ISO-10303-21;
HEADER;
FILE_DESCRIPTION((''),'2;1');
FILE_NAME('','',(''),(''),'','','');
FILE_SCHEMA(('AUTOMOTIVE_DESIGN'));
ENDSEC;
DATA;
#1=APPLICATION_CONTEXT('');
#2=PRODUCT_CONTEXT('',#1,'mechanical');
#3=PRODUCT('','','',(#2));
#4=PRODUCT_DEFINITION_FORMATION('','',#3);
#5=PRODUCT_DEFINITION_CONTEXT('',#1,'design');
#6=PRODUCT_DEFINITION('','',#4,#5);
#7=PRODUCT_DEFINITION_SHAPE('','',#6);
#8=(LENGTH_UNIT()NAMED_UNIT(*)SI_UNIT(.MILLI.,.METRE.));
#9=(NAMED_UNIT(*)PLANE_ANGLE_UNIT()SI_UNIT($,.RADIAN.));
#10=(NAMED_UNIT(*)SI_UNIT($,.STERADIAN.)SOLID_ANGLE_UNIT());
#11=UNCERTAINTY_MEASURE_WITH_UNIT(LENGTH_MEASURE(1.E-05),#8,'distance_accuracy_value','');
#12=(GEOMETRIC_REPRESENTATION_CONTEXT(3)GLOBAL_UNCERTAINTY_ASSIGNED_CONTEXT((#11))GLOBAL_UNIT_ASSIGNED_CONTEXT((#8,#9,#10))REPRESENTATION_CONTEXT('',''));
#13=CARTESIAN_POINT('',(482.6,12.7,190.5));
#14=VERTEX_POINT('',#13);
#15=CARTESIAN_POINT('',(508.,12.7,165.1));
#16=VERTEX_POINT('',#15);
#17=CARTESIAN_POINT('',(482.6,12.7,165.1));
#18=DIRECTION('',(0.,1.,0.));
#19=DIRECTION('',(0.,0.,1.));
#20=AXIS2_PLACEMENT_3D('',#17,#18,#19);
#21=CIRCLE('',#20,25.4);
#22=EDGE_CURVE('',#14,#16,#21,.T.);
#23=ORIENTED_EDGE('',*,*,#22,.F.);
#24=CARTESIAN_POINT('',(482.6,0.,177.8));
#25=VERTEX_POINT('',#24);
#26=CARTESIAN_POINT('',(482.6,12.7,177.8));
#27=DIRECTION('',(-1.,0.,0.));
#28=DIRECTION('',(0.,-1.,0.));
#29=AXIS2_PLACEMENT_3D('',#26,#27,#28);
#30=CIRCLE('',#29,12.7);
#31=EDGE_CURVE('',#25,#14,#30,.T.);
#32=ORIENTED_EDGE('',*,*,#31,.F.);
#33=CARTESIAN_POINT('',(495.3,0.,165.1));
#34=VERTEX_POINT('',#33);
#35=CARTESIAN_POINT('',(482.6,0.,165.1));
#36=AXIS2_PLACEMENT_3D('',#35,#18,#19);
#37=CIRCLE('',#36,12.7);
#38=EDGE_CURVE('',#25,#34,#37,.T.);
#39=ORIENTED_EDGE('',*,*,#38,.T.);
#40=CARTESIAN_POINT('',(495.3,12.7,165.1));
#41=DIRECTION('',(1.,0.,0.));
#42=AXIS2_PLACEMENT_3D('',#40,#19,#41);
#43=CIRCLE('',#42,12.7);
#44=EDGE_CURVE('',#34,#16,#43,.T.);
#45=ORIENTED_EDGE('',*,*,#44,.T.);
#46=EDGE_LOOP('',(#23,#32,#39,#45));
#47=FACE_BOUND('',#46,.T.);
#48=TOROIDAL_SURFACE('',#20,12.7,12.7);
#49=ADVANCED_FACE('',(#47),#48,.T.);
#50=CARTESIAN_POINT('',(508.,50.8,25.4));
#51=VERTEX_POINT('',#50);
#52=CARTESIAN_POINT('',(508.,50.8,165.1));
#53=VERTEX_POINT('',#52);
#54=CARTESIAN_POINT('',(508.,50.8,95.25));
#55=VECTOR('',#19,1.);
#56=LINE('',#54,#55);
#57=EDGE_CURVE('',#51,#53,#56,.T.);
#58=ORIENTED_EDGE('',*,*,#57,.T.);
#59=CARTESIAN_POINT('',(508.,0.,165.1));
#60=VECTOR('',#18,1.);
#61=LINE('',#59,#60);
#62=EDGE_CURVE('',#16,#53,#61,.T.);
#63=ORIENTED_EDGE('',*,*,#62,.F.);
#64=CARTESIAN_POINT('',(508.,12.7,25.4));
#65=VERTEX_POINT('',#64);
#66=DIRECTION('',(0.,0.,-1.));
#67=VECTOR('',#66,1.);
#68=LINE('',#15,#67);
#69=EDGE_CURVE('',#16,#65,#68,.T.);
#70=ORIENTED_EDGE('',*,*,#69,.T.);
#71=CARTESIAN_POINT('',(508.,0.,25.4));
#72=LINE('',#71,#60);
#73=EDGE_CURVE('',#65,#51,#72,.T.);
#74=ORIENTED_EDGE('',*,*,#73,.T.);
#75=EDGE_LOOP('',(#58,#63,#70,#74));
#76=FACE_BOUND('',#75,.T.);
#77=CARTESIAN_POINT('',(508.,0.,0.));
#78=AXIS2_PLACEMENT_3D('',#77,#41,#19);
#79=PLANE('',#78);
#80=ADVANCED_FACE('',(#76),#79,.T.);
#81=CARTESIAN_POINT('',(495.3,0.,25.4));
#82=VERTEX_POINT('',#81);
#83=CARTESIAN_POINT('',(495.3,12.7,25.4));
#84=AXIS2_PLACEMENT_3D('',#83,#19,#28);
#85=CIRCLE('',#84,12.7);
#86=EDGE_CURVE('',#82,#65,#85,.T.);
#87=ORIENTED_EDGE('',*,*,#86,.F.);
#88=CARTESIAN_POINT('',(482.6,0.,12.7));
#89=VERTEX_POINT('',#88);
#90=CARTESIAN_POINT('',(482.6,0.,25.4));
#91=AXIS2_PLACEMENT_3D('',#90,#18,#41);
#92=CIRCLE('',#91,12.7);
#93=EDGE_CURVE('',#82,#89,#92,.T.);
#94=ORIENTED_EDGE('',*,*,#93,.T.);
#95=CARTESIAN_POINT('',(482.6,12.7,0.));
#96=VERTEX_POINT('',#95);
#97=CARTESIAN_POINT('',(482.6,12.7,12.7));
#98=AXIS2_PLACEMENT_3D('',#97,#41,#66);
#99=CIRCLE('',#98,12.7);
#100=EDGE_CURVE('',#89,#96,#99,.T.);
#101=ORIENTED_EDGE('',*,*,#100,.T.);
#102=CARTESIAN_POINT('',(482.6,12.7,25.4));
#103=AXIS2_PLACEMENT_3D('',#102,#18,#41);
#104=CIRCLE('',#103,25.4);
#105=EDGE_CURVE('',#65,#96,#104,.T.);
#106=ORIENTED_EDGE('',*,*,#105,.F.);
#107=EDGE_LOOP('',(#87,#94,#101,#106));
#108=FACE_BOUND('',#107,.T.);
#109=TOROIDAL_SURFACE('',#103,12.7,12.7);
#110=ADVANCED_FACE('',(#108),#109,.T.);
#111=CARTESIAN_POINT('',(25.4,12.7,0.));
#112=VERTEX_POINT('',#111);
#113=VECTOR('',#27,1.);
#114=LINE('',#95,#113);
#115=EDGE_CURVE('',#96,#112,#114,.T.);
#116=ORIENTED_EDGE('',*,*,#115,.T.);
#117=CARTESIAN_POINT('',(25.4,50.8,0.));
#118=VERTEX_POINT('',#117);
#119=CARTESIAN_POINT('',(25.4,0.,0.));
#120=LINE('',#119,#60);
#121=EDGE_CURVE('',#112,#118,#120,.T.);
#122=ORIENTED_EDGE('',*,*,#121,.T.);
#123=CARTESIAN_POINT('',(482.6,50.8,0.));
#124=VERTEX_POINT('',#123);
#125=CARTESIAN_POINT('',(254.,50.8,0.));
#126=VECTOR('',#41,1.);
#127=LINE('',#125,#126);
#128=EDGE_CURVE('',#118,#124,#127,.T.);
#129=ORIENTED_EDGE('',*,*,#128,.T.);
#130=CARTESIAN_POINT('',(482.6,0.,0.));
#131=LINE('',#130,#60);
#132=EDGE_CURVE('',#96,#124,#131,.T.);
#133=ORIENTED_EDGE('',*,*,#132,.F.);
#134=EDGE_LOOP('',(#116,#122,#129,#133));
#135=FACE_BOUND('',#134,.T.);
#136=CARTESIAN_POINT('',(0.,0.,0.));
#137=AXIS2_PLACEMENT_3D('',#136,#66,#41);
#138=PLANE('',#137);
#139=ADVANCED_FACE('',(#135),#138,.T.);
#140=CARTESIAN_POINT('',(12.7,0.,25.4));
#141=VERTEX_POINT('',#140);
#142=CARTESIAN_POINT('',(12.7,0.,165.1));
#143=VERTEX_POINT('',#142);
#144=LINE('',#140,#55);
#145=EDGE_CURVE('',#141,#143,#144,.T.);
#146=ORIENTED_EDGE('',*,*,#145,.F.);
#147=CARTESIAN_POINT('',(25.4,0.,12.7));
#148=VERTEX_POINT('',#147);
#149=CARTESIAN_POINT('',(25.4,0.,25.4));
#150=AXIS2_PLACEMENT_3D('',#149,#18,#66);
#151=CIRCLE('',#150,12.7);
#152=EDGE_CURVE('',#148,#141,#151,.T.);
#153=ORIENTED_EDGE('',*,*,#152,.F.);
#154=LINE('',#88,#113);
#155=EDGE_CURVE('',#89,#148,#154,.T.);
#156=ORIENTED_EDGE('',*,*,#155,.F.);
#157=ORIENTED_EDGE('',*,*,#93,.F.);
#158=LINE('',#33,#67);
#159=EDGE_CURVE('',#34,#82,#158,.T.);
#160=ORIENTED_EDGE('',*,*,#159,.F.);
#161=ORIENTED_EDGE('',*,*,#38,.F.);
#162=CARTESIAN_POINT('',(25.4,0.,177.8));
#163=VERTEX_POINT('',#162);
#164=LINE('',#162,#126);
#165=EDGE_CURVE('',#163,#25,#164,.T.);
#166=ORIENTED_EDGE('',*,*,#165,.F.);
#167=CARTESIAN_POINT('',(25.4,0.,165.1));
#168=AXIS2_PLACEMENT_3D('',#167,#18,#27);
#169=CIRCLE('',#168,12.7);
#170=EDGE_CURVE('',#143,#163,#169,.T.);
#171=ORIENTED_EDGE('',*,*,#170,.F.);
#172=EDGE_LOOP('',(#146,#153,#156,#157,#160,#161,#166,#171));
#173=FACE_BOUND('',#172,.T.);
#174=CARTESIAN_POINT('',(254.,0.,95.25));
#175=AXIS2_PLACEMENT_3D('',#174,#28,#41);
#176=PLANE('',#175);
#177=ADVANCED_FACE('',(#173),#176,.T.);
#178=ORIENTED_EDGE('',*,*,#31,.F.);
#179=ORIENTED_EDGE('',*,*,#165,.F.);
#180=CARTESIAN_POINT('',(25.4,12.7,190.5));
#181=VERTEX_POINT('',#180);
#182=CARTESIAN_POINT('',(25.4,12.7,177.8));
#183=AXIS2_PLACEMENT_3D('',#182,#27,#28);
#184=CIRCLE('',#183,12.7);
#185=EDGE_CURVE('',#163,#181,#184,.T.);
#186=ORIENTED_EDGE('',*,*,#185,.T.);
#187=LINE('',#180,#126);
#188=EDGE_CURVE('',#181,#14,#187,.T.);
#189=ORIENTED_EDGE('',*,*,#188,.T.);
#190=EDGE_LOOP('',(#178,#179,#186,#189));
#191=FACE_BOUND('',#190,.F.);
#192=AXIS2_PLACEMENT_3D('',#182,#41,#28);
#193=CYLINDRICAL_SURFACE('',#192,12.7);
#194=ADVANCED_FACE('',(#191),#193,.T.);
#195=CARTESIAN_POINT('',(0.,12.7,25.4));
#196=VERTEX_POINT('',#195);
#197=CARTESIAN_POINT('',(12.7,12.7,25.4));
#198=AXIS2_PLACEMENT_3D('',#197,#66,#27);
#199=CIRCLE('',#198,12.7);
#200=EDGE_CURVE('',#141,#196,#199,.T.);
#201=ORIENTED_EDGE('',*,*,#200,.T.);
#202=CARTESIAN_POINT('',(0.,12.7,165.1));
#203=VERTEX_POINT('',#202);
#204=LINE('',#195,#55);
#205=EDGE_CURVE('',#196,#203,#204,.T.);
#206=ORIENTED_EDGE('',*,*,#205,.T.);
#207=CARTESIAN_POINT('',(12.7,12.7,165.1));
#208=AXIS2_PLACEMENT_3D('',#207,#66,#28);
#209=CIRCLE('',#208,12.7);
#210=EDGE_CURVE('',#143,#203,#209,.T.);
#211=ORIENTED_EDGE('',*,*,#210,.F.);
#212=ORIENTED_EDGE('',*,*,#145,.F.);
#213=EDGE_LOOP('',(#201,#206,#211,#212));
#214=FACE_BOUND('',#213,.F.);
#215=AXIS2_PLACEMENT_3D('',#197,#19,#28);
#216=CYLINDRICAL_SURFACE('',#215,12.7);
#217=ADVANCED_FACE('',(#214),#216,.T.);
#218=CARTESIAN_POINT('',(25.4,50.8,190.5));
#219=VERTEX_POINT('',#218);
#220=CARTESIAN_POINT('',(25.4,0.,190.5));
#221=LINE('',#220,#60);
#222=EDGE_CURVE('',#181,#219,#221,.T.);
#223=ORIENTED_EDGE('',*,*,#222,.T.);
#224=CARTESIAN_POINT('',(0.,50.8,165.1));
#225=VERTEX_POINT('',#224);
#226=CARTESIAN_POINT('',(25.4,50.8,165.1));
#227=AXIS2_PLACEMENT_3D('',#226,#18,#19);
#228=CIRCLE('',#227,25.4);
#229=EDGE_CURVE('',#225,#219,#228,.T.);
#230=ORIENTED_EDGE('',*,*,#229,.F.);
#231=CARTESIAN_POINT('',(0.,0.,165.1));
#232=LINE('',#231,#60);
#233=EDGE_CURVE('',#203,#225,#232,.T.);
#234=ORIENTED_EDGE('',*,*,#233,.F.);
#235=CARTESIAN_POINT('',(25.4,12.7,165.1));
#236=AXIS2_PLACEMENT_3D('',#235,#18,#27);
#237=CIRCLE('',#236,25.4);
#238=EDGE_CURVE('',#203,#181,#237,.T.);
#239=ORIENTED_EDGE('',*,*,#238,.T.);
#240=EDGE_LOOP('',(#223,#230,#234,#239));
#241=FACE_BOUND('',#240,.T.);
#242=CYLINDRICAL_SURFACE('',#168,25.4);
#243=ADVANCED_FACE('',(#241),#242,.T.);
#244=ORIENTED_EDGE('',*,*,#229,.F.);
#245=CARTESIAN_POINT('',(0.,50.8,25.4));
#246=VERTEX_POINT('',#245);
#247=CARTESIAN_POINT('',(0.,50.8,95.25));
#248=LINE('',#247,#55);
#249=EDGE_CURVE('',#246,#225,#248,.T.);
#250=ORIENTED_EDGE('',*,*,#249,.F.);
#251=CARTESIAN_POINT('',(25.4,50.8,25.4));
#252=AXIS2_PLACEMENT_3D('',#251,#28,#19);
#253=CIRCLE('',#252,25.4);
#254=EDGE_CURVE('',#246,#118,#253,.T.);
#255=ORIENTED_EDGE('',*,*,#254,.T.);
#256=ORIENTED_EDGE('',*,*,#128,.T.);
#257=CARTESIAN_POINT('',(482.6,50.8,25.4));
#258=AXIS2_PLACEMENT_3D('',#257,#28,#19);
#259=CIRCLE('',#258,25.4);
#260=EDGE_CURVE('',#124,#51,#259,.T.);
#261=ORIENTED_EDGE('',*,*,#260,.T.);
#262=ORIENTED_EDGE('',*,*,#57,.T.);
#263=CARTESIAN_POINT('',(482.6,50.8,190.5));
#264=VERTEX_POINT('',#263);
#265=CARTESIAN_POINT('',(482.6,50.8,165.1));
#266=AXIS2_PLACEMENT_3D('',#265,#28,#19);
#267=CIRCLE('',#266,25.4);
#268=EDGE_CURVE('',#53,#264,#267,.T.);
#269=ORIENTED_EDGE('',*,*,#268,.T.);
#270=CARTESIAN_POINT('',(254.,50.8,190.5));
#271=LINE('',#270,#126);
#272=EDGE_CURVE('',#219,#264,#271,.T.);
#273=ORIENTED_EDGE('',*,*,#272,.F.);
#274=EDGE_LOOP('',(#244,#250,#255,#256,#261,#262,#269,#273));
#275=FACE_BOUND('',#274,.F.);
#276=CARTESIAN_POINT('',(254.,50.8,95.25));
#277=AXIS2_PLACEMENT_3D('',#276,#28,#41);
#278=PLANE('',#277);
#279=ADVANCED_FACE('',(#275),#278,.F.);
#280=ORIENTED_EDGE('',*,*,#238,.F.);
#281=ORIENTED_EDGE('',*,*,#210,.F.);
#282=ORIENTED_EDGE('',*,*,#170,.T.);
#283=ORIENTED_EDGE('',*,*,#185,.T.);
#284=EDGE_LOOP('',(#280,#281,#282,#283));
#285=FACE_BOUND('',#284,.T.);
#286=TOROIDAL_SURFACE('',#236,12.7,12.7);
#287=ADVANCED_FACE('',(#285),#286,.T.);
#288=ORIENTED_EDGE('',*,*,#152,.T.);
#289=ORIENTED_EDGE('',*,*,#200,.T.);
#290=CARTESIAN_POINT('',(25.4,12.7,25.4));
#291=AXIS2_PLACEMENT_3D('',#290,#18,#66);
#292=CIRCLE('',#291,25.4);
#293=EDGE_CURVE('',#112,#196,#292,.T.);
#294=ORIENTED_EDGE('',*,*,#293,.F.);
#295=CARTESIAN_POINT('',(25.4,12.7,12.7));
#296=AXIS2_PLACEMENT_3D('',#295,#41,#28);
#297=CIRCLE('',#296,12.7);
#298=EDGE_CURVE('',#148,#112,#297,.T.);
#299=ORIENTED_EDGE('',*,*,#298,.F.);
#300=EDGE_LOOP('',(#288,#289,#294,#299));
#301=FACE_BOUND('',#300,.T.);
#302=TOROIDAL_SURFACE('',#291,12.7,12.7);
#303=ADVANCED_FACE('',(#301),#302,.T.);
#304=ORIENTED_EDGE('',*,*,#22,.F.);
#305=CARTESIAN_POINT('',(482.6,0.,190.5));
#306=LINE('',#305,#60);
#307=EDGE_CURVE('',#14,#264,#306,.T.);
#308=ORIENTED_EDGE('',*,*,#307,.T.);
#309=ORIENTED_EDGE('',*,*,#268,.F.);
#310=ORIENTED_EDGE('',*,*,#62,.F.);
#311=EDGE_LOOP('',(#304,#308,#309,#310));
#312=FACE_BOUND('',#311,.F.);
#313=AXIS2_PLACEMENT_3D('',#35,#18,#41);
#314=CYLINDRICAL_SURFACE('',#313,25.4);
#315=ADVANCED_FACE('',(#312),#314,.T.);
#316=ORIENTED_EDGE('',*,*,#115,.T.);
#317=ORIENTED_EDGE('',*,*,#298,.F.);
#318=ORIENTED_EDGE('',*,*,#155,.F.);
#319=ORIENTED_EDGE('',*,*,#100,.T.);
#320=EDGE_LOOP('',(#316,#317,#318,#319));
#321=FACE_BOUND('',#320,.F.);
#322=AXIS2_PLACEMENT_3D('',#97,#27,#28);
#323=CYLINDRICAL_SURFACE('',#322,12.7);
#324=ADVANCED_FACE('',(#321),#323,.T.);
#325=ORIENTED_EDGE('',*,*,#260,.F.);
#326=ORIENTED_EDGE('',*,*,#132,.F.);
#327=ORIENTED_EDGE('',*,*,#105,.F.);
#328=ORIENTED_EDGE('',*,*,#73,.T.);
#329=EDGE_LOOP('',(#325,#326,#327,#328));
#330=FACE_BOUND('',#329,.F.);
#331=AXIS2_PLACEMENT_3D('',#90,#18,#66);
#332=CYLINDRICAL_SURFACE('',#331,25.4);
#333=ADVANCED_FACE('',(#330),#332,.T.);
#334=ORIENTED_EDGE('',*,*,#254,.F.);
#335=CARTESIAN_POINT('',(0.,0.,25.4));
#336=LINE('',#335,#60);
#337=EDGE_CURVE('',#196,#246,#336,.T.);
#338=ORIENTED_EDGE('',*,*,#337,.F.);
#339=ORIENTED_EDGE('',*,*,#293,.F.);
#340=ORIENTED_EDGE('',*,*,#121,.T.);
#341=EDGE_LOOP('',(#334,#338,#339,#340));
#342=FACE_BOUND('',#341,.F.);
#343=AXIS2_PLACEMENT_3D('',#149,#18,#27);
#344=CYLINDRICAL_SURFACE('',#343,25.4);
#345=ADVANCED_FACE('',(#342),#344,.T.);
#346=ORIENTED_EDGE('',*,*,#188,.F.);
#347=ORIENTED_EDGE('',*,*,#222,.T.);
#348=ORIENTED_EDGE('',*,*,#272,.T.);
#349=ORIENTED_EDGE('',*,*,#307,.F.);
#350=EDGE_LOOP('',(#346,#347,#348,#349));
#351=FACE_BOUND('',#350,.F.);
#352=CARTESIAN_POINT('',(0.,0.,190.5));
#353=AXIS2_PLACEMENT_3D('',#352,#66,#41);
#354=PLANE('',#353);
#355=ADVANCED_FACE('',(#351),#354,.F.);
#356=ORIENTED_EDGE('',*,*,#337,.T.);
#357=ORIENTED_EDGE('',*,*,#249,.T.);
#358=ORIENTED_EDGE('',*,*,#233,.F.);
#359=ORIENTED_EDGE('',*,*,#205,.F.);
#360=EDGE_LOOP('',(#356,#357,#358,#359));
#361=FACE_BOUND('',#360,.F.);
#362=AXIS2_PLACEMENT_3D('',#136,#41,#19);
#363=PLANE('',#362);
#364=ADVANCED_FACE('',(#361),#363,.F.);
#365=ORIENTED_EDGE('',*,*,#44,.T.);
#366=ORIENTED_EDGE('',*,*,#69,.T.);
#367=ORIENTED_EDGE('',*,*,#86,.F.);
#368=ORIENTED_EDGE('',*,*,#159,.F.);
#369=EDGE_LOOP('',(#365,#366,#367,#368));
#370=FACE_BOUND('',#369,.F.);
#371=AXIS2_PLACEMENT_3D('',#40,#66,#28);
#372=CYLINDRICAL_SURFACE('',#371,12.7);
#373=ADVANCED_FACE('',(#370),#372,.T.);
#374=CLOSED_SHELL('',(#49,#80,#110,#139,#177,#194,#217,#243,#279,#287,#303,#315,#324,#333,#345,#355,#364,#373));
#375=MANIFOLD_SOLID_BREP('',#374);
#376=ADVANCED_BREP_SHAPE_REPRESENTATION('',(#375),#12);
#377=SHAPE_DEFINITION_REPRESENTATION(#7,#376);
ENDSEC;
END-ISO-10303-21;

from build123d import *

# Parameters (mm, degrees)
F0_W     = 508
F0_H     = 190.5
F1_DEPTH = 50.8
F2_R     = 25.4
F3_R     = 12.7


with BuildPart() as f1:
    # F0 (on Front) → F1 (new body)
    with BuildSketch(Plane.XZ):
        with Locations((254, 95.25)):
            Rectangle(F0_W, F0_H)
    extrude(amount=-F1_DEPTH)

    # F2
    f2_edges = [f1.edges().sort_by_distance(p)[0] for p in [
        (0, 25.4, 190.5),
        (508, 25.4, 190.5),
        (508, 25.4, 0),
        (0, 25.4, 0),
    ]]
    fillet(f2_edges, radius=F2_R)

    # F3
    f3_edges = [f1.edges().sort_by_distance(p)[0] for p in [
        (254, 0, 190.5),
    ]]
    fillet(f3_edges, radius=F3_R)


solid = f1.part
